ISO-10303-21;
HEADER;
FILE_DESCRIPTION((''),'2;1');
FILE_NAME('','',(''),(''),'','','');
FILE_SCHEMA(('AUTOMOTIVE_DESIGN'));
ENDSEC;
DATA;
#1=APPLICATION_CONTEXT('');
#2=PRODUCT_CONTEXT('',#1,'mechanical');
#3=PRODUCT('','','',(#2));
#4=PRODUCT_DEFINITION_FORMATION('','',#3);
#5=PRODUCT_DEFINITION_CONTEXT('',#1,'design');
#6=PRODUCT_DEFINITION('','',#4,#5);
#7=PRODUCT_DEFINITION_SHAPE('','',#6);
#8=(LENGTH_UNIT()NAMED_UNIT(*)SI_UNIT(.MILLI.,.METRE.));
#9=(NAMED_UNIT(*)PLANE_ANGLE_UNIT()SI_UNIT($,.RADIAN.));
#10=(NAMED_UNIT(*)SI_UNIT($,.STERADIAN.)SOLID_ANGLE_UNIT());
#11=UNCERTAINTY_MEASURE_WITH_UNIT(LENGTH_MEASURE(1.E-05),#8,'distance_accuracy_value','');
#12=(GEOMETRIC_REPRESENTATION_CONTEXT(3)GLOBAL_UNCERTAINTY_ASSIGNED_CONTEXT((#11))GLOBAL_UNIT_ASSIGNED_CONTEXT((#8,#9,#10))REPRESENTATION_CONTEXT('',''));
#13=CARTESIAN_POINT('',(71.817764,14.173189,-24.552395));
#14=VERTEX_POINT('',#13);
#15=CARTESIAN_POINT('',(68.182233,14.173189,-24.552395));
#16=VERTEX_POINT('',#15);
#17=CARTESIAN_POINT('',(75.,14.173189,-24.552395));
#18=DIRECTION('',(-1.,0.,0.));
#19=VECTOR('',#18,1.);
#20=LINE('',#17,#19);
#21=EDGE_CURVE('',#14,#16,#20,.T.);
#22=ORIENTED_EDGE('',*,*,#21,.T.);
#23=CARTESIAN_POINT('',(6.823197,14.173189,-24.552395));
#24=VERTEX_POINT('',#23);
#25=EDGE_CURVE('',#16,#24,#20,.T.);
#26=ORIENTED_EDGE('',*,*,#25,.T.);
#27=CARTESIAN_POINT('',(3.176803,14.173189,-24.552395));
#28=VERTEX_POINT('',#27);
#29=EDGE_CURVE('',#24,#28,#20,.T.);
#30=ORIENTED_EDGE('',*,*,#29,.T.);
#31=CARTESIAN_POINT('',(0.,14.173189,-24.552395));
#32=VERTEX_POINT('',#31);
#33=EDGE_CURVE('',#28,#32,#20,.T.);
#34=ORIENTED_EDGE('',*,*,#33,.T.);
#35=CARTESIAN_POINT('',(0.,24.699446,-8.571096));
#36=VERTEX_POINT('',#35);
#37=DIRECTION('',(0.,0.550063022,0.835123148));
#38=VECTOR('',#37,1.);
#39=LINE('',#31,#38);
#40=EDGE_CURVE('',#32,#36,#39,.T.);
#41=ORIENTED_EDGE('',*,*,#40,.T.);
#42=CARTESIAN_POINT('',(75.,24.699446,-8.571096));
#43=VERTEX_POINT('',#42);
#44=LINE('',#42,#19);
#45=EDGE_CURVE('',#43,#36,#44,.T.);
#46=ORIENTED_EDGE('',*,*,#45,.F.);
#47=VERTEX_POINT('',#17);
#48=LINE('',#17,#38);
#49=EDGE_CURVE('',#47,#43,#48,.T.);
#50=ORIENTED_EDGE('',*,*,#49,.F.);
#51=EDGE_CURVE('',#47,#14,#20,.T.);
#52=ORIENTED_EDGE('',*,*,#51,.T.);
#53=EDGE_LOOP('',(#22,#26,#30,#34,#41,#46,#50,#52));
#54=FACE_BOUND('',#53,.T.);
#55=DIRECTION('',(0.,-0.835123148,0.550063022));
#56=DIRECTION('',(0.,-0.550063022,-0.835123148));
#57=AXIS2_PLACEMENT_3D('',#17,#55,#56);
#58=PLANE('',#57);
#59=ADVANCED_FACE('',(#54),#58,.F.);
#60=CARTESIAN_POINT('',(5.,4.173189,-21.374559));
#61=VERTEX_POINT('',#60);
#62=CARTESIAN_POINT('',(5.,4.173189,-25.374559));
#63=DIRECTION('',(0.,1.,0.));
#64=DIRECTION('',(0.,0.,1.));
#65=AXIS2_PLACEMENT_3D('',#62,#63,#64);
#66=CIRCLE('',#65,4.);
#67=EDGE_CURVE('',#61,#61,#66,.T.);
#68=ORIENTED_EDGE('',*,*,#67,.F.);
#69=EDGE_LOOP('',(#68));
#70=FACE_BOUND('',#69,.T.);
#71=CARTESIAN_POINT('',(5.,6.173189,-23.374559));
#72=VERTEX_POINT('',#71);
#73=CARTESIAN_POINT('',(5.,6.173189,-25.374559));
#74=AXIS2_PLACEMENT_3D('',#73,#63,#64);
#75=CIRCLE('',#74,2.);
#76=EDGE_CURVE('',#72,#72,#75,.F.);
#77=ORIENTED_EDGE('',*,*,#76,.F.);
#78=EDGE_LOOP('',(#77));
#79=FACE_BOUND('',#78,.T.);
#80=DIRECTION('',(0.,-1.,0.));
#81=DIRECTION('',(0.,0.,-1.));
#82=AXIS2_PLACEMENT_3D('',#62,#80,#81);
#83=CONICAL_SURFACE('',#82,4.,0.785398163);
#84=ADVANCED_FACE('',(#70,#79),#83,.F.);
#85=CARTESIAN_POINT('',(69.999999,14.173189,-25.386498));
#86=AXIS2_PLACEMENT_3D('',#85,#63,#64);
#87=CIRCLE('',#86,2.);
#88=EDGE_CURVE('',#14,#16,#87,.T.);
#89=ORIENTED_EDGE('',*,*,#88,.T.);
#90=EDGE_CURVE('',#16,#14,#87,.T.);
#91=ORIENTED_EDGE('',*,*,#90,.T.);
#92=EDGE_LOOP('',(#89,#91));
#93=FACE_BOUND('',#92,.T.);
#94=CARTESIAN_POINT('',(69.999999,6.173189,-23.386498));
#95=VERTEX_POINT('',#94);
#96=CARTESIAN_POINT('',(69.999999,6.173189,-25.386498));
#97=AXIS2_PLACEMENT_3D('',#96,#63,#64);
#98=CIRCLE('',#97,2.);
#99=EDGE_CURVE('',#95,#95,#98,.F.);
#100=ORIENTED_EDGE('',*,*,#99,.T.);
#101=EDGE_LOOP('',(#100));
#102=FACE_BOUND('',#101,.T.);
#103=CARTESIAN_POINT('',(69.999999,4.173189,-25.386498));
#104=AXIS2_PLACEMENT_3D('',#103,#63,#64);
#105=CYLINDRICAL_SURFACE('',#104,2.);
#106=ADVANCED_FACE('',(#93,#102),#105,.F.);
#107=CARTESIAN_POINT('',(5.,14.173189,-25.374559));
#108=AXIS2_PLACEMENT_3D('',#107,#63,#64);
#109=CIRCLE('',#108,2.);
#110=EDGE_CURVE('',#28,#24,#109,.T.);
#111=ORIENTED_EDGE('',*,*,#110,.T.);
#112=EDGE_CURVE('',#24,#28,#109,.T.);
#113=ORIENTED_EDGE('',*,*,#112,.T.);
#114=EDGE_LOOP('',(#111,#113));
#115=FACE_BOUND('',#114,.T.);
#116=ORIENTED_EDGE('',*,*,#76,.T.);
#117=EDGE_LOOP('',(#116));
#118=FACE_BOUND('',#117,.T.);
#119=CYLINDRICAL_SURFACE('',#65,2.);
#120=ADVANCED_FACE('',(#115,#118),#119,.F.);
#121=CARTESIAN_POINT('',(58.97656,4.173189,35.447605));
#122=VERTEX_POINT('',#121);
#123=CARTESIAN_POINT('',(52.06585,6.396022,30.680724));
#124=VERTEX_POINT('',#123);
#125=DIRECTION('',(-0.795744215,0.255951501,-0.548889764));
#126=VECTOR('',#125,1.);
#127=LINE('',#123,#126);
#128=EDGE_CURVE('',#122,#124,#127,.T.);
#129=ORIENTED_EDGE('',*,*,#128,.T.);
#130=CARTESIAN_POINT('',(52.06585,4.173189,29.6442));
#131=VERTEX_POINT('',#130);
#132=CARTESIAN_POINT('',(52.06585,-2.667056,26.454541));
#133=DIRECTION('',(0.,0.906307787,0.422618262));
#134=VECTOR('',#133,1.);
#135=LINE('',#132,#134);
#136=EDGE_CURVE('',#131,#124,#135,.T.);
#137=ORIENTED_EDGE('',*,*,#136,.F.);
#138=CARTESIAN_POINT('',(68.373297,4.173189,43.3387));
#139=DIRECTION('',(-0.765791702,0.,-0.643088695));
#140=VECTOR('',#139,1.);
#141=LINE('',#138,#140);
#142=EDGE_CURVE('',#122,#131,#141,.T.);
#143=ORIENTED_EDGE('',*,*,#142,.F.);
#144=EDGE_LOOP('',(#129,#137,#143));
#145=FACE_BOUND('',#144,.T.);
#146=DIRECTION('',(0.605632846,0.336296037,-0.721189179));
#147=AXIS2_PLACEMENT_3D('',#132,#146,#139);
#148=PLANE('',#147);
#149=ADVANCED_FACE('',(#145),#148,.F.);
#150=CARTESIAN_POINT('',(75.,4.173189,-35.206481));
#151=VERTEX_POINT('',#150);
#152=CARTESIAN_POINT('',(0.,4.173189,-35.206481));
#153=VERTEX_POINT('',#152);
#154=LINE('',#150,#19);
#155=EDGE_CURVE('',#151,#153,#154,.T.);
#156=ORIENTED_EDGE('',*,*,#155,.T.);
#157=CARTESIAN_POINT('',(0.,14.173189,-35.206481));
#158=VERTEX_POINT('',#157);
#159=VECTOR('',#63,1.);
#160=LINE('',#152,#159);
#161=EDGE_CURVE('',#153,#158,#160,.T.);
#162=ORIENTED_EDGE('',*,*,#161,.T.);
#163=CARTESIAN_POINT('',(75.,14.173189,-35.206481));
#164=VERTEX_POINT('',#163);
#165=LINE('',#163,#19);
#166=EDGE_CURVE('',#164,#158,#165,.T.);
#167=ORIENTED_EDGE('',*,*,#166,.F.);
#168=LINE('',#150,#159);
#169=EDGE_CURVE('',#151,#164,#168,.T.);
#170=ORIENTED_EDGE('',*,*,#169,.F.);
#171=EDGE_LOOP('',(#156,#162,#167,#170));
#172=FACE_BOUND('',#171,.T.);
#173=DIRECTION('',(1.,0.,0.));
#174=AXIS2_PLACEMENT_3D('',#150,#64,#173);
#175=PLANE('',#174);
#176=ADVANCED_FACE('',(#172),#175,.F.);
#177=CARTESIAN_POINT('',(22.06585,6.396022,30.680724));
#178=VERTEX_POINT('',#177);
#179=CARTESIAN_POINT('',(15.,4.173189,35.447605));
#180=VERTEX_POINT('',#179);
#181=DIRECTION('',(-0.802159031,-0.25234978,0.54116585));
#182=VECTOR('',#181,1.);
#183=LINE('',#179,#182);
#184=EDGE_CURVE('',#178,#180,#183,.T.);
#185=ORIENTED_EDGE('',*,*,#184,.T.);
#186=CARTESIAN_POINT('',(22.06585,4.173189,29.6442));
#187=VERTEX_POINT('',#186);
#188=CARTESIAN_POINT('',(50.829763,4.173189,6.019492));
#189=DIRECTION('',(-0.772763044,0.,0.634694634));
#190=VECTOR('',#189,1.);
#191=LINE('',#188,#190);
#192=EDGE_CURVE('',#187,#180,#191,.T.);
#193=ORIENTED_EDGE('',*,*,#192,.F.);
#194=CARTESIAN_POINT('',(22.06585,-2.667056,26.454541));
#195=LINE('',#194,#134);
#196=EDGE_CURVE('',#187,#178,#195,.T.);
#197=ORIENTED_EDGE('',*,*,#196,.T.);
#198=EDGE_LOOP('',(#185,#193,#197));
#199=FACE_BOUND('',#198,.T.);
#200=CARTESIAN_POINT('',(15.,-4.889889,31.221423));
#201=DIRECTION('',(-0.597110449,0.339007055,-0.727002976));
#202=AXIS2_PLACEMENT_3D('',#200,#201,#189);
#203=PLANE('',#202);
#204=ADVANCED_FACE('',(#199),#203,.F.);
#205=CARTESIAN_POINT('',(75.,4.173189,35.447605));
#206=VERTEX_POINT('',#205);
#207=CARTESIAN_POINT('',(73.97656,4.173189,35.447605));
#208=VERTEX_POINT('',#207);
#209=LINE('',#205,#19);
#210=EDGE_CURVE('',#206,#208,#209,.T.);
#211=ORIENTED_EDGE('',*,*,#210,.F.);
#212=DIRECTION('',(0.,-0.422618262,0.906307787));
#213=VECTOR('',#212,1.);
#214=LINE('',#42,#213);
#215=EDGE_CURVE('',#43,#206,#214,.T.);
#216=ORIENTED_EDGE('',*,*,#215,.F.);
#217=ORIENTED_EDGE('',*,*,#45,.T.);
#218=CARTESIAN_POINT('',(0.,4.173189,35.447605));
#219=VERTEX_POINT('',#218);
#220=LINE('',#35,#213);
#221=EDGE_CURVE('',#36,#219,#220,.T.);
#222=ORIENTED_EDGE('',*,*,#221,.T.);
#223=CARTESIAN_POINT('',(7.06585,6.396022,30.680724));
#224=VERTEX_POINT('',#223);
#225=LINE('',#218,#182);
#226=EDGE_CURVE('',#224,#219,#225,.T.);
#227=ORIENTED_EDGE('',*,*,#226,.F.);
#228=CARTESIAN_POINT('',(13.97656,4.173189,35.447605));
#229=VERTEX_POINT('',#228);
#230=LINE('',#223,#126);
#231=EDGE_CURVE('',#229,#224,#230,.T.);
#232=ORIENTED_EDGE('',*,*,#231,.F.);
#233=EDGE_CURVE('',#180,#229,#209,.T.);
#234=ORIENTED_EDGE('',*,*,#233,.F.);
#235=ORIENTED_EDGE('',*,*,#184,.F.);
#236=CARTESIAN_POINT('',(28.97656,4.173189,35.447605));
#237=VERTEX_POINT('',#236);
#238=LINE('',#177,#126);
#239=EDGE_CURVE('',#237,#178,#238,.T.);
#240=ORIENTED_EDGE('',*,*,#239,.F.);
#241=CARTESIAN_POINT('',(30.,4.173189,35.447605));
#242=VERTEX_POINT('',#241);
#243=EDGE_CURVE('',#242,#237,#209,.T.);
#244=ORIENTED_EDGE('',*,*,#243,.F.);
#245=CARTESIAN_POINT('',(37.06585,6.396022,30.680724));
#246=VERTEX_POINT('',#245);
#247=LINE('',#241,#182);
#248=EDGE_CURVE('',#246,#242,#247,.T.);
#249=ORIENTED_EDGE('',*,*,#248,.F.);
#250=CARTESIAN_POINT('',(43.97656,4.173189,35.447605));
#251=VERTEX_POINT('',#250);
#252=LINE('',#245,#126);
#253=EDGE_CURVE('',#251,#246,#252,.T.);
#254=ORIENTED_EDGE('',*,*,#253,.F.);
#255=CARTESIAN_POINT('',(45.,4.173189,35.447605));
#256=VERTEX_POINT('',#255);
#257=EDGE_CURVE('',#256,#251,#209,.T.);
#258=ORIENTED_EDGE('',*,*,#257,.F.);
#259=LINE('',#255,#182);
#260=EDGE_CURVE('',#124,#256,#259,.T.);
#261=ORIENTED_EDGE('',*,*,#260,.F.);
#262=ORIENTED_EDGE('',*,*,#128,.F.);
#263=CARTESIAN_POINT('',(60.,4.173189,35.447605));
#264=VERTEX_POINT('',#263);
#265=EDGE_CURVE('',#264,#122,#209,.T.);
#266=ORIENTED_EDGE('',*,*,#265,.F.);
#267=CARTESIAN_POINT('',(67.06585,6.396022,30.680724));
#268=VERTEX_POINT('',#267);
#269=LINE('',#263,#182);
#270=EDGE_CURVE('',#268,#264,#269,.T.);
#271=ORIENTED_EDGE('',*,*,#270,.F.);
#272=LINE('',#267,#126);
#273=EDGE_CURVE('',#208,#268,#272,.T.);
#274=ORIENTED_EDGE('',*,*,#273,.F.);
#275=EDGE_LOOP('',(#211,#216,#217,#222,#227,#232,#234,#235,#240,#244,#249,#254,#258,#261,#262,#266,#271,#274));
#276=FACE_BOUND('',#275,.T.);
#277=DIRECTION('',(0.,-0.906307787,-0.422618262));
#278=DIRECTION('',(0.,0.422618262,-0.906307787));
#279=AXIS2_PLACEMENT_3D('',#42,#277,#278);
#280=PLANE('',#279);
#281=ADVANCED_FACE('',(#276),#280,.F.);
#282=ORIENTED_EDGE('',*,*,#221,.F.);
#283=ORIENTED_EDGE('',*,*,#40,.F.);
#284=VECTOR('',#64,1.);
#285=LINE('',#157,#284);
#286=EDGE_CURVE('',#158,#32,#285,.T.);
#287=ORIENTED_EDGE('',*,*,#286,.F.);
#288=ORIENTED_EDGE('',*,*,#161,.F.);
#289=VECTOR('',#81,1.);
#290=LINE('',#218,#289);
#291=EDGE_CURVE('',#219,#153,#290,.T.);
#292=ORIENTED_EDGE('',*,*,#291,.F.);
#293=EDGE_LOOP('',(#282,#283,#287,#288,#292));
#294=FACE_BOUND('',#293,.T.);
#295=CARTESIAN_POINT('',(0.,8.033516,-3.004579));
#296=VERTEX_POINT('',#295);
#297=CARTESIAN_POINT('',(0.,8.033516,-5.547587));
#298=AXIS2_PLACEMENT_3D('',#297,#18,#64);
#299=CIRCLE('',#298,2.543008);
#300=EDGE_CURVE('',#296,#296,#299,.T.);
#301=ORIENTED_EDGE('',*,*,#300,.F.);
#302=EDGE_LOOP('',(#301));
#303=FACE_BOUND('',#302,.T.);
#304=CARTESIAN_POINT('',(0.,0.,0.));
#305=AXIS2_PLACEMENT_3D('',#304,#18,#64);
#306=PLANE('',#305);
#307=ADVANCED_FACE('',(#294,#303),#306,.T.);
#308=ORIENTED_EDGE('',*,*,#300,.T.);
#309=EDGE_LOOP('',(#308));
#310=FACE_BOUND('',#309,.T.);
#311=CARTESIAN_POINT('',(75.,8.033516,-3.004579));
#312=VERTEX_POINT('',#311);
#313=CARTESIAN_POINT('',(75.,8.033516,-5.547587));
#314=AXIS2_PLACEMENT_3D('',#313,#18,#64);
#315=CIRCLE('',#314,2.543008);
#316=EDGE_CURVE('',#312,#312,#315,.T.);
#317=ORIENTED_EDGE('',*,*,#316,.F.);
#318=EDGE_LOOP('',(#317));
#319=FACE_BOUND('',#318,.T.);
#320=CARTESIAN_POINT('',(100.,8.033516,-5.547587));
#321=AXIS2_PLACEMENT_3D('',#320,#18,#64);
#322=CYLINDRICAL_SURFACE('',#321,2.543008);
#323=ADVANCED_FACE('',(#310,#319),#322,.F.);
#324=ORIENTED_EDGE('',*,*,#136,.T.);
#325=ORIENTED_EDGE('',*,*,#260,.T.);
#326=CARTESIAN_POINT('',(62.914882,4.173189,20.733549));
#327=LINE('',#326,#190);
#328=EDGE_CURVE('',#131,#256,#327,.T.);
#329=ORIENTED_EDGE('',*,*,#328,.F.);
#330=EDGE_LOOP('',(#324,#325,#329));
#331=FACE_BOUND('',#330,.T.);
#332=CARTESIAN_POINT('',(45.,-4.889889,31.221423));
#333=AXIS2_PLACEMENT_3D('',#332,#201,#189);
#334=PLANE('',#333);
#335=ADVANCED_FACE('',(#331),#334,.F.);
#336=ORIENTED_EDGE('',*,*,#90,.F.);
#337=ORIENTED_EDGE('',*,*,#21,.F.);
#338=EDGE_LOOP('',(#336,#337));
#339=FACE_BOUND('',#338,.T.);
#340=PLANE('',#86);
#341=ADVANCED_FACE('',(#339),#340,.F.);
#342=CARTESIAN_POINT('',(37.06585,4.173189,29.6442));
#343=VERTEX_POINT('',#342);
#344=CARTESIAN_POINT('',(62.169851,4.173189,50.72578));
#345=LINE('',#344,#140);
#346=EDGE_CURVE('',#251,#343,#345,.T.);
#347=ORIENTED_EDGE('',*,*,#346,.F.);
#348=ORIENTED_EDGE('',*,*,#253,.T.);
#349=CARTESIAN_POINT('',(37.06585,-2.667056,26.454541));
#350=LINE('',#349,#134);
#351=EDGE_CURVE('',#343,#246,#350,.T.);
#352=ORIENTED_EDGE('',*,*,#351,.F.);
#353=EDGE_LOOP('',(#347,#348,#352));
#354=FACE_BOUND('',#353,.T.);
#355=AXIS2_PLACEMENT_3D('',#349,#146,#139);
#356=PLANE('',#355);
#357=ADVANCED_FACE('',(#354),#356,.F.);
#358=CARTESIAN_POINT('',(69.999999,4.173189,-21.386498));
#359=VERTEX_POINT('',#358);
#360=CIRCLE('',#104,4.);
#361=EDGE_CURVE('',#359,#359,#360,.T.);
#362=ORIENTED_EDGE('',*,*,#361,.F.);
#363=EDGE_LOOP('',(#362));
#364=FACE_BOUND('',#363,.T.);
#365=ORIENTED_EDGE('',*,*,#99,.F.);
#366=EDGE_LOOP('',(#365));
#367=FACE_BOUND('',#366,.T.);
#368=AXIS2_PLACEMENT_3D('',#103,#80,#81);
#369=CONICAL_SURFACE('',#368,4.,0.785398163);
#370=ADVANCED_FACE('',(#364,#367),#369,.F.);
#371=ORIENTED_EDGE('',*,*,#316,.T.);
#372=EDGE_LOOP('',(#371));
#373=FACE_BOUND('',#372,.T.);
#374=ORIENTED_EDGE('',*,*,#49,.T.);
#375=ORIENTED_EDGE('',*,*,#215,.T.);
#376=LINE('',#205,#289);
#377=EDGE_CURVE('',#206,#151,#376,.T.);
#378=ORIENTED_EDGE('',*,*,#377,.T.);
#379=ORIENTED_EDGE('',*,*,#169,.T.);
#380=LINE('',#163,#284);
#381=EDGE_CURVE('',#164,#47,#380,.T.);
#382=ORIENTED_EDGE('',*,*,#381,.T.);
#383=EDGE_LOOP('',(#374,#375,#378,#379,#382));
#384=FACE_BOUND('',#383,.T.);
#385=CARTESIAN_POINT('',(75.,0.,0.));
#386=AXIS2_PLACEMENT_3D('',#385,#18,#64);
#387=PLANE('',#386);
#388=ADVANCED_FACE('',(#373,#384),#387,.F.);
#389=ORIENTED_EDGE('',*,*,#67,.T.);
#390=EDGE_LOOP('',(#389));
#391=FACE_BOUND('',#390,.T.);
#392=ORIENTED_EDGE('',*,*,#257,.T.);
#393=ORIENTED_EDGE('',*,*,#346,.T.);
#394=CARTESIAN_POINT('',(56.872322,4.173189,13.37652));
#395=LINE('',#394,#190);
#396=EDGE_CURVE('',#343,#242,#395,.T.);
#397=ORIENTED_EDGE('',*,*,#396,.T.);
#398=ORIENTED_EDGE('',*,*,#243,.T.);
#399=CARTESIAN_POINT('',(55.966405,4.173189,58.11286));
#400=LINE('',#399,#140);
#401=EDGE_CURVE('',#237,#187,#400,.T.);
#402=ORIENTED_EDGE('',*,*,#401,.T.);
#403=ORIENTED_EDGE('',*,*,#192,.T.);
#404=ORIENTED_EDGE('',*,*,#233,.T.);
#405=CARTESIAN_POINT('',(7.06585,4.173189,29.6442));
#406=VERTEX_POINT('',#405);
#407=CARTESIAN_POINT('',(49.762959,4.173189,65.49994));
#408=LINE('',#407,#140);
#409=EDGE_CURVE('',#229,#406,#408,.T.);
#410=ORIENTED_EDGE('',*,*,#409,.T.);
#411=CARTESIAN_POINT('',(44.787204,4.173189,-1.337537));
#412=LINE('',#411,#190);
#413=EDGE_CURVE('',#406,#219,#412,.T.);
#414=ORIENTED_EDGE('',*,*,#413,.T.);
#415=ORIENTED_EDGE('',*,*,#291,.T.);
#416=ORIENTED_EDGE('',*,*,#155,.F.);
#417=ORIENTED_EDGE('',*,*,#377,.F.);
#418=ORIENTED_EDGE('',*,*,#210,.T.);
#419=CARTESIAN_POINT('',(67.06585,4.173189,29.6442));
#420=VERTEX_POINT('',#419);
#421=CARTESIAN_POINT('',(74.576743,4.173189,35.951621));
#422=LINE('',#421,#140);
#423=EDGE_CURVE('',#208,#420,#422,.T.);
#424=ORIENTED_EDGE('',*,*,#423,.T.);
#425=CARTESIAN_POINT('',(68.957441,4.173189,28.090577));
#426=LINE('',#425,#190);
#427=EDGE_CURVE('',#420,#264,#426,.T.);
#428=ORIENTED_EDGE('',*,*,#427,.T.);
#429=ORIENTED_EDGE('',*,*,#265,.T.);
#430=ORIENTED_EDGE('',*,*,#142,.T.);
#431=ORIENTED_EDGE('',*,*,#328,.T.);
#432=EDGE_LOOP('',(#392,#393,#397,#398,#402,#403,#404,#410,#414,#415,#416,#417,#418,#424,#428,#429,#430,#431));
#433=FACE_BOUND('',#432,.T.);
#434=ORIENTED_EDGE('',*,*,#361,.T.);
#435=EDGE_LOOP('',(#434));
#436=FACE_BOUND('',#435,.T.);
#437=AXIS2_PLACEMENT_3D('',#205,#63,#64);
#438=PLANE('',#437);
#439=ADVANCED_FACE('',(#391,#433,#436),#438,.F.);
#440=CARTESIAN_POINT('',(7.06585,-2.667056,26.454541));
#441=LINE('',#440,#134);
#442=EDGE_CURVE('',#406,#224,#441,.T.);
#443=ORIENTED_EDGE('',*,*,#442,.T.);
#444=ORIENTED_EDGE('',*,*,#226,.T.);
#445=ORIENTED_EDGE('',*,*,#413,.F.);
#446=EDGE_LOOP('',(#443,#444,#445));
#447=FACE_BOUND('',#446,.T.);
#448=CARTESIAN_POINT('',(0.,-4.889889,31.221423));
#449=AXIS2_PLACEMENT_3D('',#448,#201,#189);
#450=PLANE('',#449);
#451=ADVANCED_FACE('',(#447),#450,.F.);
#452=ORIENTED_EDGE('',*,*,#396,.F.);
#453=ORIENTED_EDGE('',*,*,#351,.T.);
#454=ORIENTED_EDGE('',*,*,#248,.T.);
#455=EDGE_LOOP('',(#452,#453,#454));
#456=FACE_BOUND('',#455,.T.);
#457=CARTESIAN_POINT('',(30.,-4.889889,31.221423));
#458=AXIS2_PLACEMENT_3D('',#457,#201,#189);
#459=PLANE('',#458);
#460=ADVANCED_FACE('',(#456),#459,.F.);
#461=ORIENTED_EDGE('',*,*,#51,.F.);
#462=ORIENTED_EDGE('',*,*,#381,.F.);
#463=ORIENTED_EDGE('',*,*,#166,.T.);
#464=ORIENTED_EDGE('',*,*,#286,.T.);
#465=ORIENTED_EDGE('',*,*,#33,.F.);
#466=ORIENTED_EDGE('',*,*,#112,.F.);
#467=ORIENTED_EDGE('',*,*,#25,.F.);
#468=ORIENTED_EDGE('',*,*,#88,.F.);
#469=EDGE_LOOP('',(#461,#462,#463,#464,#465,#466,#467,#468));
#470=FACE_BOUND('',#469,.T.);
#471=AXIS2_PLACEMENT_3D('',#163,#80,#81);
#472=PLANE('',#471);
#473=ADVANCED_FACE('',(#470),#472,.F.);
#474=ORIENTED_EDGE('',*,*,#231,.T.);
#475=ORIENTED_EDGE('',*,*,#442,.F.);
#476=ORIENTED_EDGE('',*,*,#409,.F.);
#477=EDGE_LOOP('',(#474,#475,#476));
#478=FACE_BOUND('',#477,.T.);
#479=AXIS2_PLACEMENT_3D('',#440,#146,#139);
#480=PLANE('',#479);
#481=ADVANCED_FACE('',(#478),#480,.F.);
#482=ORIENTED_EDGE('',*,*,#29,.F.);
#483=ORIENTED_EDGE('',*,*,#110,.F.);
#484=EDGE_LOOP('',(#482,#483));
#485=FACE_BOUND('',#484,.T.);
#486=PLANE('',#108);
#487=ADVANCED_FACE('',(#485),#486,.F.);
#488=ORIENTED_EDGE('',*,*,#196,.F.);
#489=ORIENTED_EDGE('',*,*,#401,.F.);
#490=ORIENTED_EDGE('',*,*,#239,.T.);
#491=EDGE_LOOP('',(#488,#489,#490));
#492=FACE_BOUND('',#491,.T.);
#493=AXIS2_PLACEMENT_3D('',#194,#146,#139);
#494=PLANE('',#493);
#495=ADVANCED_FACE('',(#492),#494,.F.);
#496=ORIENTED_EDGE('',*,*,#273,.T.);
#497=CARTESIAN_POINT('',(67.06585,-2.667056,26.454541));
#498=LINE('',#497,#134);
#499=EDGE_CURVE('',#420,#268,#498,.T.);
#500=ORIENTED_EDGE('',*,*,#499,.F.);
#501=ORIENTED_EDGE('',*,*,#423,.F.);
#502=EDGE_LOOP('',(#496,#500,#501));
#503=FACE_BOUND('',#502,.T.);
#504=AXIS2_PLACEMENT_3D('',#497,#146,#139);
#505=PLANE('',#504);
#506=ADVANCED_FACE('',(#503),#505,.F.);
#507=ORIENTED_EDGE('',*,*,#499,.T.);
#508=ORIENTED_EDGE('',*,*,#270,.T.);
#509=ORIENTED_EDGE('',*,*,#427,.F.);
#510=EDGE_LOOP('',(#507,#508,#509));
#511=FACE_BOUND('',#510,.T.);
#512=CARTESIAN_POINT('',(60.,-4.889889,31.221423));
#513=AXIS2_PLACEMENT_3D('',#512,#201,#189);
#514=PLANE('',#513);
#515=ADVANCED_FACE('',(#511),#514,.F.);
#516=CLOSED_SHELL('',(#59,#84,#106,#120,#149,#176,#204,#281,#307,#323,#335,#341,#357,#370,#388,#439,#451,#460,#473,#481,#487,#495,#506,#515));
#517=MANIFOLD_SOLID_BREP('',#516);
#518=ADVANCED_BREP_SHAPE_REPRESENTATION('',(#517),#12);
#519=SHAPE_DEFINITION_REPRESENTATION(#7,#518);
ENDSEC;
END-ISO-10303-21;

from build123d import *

# Parameters (mm, degrees)
BOSS_EXTRUDE1_DEPTH = 75
SKETCH2_R           = 2
CUT_EXTRUDE1_DEPTH  = 10
CUT_EXTRUDE2_DEPTH  = 10
SKETCH3_R           = 2.543008444
CUT_EXTRUDE3_DEPTH  = 100
CHAMFER1_SIZE       = 2


with BuildPart() as part:
    # Sketch1 → Boss-Extrude1 (new body)
    with BuildSketch(Plane(origin=(0, 0, 0), x_dir=(0, 0, -1), z_dir=(1, 0, 0))):
        Polygon((-35.447605249, 4.173188871), (35.206481481, 4.173188871), (35.206481481, 14.173188871), (24.552394751, 14.173188871), (8.571096195, 24.699446456), align=None)
    extrude(amount=BOSS_EXTRUDE1_DEPTH)

    # Sketch2 → Cut-Extrude1 (cut)
    with BuildSketch(Plane(origin=(0, 14.173188871, 0), x_dir=(1, 0, 0), z_dir=(0, 1, 0))):
        with Locations(Location((5, 25.374559272, 0), (0, 0, 270))):
            Circle(SKETCH2_R)
        with Locations(Location((69.999998904, 25.386498054, 0), (0, 0, 270))):
            Circle(SKETCH2_R)
    extrude(amount=-CUT_EXTRUDE1_DEPTH, mode=Mode.SUBTRACT)

    # Sketch4 → Cut-Extrude2 (cut)
    with BuildSketch(Plane(origin=(0, 17.005051997, 7.929585973), x_dir=(1, 0, 0), z_dir=(0, 0.9063077870366527, 0.42261826174069383))):
        Polygon((0, -30.362774842), (7.065850082, -25.103103439), (13.976560291, -30.362774842), align=None)
        Polygon((22.065850082, -25.103103439), (28.976560291, -30.362774842), (15, -30.362774842), align=None)
        Polygon((37.065850082, -25.103103439), (43.976560291, -30.362774842), (30, -30.362774842), align=None)
        Polygon((52.065850082, -25.103103439), (58.976560291, -30.362774842), (45, -30.362774842), align=None)
        Polygon((67.065850082, -25.103103439), (73.976560291, -30.362774842), (60, -30.362774842), align=None)
    extrude(amount=-CUT_EXTRUDE2_DEPTH, mode=Mode.SUBTRACT)

    # Sketch3 → Cut-Extrude3 (cut)
    with BuildSketch(Plane.ZY):
        with Locations((-5.547587106, 8.033515635)):
            Circle(SKETCH3_R)
    extrude(amount=-CUT_EXTRUDE3_DEPTH, mode=Mode.SUBTRACT)

    # Chamfer1
    chamfer1_edges = [part.edges().sort_by_distance(p)[0] for p in [
        (5, 4.173188871, -27.374559272),
        (69.999998904, 4.173188871, -27.386498054),
    ]]
    chamfer(chamfer1_edges, length=CHAMFER1_SIZE)


solid = part.part
